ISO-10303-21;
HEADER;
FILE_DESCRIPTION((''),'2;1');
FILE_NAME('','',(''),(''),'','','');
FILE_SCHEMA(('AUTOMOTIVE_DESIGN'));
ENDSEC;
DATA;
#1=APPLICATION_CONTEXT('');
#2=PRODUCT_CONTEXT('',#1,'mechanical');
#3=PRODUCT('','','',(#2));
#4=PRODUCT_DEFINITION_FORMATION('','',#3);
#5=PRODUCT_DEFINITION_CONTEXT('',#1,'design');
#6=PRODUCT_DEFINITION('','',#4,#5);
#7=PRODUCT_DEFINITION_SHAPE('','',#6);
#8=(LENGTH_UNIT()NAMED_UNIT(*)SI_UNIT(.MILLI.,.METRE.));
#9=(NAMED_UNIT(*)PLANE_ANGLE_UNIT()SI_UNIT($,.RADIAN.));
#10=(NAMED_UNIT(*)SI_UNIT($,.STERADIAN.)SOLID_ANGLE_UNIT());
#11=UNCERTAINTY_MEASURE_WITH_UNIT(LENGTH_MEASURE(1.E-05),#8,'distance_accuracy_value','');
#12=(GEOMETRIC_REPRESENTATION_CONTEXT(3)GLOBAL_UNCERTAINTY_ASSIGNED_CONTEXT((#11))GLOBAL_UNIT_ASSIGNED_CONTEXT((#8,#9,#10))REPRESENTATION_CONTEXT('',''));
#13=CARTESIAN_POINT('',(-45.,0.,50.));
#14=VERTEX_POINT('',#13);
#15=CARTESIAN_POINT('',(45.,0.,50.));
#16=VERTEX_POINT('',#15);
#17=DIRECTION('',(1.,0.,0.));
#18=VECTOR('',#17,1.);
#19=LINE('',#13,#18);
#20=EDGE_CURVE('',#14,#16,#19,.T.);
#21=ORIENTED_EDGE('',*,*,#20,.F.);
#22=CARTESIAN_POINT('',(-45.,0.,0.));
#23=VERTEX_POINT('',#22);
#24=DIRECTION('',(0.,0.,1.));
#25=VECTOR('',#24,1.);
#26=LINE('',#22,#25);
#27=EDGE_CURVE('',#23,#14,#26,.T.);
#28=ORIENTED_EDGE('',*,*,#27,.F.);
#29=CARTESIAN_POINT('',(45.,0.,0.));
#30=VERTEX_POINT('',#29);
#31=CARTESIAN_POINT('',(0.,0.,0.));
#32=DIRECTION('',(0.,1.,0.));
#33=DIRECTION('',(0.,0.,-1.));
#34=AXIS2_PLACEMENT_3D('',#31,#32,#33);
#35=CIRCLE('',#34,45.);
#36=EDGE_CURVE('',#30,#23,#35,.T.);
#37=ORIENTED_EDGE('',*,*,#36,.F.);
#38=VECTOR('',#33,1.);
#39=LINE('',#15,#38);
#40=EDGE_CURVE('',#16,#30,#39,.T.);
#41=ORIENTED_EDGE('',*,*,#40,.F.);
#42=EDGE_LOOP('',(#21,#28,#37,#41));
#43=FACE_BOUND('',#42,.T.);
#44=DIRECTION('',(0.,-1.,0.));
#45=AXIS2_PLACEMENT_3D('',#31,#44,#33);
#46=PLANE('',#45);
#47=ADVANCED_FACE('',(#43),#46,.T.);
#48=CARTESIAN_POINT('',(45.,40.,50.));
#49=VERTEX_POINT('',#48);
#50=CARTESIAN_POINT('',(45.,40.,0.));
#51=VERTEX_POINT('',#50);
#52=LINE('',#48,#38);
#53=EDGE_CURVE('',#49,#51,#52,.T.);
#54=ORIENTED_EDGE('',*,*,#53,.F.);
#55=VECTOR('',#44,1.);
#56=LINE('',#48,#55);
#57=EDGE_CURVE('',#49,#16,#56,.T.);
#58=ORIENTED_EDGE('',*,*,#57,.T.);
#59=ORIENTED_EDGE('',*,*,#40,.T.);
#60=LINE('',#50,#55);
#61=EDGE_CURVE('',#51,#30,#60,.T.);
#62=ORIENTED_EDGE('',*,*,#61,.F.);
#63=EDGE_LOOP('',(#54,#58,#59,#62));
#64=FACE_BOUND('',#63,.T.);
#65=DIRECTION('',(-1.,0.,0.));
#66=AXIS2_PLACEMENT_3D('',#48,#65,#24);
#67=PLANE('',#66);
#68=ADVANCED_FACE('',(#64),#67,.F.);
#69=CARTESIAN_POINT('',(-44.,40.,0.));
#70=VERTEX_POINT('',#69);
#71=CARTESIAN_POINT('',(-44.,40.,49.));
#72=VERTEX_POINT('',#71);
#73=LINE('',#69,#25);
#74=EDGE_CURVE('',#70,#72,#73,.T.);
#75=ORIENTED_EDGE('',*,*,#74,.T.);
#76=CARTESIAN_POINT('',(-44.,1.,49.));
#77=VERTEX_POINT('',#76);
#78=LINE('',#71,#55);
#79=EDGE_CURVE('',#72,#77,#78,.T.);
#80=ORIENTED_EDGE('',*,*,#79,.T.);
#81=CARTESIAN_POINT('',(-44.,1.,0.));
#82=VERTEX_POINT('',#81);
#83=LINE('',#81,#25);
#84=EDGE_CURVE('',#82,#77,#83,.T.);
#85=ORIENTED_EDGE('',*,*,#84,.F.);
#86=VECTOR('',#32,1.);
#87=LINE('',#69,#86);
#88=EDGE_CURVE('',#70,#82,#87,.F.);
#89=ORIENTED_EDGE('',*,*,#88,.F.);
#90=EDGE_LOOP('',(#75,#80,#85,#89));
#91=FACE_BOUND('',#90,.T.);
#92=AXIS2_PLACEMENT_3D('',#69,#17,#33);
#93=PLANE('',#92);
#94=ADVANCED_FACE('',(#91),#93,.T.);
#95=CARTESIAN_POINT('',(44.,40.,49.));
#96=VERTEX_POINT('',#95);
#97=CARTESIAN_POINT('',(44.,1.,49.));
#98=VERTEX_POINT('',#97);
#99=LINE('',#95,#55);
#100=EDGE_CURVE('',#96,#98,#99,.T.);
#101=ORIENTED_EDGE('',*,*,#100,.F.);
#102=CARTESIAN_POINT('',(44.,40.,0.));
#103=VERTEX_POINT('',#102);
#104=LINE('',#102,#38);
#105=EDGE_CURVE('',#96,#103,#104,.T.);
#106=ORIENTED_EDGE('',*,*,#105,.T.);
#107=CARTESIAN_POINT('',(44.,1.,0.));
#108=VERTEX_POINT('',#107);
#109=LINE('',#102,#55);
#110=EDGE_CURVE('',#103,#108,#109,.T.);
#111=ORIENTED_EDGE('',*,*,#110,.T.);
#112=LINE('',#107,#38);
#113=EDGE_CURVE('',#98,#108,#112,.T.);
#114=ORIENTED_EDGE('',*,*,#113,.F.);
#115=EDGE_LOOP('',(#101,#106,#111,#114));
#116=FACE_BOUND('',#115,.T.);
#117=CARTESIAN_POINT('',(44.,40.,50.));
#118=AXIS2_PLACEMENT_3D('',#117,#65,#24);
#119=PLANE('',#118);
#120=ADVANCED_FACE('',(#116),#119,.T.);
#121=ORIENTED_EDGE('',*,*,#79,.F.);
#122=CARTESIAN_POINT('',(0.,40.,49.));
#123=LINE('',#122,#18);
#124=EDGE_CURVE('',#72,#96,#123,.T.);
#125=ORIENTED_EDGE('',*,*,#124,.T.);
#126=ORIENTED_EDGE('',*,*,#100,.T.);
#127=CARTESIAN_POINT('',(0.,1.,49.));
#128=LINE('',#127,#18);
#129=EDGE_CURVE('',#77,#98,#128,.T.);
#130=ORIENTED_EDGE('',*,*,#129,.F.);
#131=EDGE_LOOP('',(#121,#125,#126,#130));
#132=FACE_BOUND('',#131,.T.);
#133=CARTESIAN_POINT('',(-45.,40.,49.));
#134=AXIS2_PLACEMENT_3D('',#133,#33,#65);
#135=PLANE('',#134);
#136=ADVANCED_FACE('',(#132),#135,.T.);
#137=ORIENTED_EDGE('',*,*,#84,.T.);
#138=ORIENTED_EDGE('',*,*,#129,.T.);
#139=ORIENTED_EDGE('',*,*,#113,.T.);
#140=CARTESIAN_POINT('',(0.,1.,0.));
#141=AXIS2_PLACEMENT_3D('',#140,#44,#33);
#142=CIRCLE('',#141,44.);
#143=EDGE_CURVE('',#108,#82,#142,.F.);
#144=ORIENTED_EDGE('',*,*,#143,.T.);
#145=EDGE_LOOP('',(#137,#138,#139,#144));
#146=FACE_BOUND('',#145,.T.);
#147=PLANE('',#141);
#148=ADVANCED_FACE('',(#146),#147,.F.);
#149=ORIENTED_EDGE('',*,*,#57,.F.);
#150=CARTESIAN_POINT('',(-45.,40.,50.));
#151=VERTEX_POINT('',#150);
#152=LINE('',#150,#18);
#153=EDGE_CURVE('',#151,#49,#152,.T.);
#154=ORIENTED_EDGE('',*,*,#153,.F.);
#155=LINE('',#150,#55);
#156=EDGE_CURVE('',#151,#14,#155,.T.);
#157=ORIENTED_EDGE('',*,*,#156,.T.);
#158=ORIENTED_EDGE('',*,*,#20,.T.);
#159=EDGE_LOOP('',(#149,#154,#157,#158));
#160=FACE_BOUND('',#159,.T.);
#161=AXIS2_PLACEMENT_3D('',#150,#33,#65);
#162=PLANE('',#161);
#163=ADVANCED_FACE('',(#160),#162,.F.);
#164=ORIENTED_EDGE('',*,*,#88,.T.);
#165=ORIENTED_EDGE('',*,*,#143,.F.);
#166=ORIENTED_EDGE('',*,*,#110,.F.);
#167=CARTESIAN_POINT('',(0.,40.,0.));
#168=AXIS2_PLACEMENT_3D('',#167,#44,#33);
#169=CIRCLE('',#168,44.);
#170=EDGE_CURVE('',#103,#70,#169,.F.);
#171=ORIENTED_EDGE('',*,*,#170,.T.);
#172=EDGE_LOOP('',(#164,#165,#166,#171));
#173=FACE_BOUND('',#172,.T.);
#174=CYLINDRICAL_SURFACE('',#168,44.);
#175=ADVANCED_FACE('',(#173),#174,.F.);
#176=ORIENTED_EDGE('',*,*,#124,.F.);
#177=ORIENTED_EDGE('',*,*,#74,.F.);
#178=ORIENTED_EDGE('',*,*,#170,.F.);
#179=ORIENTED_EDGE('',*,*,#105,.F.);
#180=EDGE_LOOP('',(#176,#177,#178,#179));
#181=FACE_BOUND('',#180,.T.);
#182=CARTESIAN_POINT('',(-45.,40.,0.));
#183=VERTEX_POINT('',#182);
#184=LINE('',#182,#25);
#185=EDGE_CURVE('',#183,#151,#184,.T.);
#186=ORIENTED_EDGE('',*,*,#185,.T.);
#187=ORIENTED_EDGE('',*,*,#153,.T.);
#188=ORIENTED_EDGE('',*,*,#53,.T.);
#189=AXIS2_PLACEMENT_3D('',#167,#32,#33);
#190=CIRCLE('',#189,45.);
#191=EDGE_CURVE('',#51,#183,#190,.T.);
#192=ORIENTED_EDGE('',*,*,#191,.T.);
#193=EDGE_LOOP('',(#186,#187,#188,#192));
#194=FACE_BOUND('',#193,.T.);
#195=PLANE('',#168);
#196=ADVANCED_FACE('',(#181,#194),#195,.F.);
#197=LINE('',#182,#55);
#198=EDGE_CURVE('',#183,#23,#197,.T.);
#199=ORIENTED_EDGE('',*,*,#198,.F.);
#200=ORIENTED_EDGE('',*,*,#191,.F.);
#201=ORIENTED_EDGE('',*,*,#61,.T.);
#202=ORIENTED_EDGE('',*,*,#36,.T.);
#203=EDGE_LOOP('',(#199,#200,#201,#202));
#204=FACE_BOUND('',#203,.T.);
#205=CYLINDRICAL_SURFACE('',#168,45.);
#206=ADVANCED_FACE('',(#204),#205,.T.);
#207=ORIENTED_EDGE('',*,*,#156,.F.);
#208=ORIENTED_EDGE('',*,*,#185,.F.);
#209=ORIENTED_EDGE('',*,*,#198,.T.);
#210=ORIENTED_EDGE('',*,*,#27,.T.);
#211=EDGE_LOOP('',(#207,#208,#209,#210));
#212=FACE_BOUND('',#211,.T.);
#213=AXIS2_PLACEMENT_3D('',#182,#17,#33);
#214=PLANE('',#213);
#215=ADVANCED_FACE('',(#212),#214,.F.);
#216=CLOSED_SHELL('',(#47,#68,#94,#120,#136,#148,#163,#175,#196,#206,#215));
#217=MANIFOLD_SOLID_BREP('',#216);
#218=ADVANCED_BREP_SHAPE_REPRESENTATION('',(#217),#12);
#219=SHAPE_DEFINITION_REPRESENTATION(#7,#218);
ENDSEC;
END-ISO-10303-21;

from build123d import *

# Parameters (mm, degrees)
BOSS_EXTRUDE1_DEPTH = 40
SHELL1_T            = -1


with BuildPart() as part:
    # Sketch1 → Boss-Extrude1 (new body)
    with BuildSketch(Plane(origin=(0, 0, 0), x_dir=(1, 0, 0), z_dir=(0, 1, 0))):
        with BuildLine():
            Line((-45, 0), (-45, -50))
            Line((-45, -50), (45, -50))
            Line((45, -50), (45, 0))
            ThreePointArc((45, 0), (0, 45), (-45, 0))
        make_face()
    extrude(amount=BOSS_EXTRUDE1_DEPTH)

    # Shell1
    shell1_openings = [part.faces().sort_by_distance(p)[0] for p in [
        (0, 40, 13.75),
    ]]
    offset(amount=SHELL1_T, openings=shell1_openings, kind=Kind.INTERSECTION)


solid = part.part
